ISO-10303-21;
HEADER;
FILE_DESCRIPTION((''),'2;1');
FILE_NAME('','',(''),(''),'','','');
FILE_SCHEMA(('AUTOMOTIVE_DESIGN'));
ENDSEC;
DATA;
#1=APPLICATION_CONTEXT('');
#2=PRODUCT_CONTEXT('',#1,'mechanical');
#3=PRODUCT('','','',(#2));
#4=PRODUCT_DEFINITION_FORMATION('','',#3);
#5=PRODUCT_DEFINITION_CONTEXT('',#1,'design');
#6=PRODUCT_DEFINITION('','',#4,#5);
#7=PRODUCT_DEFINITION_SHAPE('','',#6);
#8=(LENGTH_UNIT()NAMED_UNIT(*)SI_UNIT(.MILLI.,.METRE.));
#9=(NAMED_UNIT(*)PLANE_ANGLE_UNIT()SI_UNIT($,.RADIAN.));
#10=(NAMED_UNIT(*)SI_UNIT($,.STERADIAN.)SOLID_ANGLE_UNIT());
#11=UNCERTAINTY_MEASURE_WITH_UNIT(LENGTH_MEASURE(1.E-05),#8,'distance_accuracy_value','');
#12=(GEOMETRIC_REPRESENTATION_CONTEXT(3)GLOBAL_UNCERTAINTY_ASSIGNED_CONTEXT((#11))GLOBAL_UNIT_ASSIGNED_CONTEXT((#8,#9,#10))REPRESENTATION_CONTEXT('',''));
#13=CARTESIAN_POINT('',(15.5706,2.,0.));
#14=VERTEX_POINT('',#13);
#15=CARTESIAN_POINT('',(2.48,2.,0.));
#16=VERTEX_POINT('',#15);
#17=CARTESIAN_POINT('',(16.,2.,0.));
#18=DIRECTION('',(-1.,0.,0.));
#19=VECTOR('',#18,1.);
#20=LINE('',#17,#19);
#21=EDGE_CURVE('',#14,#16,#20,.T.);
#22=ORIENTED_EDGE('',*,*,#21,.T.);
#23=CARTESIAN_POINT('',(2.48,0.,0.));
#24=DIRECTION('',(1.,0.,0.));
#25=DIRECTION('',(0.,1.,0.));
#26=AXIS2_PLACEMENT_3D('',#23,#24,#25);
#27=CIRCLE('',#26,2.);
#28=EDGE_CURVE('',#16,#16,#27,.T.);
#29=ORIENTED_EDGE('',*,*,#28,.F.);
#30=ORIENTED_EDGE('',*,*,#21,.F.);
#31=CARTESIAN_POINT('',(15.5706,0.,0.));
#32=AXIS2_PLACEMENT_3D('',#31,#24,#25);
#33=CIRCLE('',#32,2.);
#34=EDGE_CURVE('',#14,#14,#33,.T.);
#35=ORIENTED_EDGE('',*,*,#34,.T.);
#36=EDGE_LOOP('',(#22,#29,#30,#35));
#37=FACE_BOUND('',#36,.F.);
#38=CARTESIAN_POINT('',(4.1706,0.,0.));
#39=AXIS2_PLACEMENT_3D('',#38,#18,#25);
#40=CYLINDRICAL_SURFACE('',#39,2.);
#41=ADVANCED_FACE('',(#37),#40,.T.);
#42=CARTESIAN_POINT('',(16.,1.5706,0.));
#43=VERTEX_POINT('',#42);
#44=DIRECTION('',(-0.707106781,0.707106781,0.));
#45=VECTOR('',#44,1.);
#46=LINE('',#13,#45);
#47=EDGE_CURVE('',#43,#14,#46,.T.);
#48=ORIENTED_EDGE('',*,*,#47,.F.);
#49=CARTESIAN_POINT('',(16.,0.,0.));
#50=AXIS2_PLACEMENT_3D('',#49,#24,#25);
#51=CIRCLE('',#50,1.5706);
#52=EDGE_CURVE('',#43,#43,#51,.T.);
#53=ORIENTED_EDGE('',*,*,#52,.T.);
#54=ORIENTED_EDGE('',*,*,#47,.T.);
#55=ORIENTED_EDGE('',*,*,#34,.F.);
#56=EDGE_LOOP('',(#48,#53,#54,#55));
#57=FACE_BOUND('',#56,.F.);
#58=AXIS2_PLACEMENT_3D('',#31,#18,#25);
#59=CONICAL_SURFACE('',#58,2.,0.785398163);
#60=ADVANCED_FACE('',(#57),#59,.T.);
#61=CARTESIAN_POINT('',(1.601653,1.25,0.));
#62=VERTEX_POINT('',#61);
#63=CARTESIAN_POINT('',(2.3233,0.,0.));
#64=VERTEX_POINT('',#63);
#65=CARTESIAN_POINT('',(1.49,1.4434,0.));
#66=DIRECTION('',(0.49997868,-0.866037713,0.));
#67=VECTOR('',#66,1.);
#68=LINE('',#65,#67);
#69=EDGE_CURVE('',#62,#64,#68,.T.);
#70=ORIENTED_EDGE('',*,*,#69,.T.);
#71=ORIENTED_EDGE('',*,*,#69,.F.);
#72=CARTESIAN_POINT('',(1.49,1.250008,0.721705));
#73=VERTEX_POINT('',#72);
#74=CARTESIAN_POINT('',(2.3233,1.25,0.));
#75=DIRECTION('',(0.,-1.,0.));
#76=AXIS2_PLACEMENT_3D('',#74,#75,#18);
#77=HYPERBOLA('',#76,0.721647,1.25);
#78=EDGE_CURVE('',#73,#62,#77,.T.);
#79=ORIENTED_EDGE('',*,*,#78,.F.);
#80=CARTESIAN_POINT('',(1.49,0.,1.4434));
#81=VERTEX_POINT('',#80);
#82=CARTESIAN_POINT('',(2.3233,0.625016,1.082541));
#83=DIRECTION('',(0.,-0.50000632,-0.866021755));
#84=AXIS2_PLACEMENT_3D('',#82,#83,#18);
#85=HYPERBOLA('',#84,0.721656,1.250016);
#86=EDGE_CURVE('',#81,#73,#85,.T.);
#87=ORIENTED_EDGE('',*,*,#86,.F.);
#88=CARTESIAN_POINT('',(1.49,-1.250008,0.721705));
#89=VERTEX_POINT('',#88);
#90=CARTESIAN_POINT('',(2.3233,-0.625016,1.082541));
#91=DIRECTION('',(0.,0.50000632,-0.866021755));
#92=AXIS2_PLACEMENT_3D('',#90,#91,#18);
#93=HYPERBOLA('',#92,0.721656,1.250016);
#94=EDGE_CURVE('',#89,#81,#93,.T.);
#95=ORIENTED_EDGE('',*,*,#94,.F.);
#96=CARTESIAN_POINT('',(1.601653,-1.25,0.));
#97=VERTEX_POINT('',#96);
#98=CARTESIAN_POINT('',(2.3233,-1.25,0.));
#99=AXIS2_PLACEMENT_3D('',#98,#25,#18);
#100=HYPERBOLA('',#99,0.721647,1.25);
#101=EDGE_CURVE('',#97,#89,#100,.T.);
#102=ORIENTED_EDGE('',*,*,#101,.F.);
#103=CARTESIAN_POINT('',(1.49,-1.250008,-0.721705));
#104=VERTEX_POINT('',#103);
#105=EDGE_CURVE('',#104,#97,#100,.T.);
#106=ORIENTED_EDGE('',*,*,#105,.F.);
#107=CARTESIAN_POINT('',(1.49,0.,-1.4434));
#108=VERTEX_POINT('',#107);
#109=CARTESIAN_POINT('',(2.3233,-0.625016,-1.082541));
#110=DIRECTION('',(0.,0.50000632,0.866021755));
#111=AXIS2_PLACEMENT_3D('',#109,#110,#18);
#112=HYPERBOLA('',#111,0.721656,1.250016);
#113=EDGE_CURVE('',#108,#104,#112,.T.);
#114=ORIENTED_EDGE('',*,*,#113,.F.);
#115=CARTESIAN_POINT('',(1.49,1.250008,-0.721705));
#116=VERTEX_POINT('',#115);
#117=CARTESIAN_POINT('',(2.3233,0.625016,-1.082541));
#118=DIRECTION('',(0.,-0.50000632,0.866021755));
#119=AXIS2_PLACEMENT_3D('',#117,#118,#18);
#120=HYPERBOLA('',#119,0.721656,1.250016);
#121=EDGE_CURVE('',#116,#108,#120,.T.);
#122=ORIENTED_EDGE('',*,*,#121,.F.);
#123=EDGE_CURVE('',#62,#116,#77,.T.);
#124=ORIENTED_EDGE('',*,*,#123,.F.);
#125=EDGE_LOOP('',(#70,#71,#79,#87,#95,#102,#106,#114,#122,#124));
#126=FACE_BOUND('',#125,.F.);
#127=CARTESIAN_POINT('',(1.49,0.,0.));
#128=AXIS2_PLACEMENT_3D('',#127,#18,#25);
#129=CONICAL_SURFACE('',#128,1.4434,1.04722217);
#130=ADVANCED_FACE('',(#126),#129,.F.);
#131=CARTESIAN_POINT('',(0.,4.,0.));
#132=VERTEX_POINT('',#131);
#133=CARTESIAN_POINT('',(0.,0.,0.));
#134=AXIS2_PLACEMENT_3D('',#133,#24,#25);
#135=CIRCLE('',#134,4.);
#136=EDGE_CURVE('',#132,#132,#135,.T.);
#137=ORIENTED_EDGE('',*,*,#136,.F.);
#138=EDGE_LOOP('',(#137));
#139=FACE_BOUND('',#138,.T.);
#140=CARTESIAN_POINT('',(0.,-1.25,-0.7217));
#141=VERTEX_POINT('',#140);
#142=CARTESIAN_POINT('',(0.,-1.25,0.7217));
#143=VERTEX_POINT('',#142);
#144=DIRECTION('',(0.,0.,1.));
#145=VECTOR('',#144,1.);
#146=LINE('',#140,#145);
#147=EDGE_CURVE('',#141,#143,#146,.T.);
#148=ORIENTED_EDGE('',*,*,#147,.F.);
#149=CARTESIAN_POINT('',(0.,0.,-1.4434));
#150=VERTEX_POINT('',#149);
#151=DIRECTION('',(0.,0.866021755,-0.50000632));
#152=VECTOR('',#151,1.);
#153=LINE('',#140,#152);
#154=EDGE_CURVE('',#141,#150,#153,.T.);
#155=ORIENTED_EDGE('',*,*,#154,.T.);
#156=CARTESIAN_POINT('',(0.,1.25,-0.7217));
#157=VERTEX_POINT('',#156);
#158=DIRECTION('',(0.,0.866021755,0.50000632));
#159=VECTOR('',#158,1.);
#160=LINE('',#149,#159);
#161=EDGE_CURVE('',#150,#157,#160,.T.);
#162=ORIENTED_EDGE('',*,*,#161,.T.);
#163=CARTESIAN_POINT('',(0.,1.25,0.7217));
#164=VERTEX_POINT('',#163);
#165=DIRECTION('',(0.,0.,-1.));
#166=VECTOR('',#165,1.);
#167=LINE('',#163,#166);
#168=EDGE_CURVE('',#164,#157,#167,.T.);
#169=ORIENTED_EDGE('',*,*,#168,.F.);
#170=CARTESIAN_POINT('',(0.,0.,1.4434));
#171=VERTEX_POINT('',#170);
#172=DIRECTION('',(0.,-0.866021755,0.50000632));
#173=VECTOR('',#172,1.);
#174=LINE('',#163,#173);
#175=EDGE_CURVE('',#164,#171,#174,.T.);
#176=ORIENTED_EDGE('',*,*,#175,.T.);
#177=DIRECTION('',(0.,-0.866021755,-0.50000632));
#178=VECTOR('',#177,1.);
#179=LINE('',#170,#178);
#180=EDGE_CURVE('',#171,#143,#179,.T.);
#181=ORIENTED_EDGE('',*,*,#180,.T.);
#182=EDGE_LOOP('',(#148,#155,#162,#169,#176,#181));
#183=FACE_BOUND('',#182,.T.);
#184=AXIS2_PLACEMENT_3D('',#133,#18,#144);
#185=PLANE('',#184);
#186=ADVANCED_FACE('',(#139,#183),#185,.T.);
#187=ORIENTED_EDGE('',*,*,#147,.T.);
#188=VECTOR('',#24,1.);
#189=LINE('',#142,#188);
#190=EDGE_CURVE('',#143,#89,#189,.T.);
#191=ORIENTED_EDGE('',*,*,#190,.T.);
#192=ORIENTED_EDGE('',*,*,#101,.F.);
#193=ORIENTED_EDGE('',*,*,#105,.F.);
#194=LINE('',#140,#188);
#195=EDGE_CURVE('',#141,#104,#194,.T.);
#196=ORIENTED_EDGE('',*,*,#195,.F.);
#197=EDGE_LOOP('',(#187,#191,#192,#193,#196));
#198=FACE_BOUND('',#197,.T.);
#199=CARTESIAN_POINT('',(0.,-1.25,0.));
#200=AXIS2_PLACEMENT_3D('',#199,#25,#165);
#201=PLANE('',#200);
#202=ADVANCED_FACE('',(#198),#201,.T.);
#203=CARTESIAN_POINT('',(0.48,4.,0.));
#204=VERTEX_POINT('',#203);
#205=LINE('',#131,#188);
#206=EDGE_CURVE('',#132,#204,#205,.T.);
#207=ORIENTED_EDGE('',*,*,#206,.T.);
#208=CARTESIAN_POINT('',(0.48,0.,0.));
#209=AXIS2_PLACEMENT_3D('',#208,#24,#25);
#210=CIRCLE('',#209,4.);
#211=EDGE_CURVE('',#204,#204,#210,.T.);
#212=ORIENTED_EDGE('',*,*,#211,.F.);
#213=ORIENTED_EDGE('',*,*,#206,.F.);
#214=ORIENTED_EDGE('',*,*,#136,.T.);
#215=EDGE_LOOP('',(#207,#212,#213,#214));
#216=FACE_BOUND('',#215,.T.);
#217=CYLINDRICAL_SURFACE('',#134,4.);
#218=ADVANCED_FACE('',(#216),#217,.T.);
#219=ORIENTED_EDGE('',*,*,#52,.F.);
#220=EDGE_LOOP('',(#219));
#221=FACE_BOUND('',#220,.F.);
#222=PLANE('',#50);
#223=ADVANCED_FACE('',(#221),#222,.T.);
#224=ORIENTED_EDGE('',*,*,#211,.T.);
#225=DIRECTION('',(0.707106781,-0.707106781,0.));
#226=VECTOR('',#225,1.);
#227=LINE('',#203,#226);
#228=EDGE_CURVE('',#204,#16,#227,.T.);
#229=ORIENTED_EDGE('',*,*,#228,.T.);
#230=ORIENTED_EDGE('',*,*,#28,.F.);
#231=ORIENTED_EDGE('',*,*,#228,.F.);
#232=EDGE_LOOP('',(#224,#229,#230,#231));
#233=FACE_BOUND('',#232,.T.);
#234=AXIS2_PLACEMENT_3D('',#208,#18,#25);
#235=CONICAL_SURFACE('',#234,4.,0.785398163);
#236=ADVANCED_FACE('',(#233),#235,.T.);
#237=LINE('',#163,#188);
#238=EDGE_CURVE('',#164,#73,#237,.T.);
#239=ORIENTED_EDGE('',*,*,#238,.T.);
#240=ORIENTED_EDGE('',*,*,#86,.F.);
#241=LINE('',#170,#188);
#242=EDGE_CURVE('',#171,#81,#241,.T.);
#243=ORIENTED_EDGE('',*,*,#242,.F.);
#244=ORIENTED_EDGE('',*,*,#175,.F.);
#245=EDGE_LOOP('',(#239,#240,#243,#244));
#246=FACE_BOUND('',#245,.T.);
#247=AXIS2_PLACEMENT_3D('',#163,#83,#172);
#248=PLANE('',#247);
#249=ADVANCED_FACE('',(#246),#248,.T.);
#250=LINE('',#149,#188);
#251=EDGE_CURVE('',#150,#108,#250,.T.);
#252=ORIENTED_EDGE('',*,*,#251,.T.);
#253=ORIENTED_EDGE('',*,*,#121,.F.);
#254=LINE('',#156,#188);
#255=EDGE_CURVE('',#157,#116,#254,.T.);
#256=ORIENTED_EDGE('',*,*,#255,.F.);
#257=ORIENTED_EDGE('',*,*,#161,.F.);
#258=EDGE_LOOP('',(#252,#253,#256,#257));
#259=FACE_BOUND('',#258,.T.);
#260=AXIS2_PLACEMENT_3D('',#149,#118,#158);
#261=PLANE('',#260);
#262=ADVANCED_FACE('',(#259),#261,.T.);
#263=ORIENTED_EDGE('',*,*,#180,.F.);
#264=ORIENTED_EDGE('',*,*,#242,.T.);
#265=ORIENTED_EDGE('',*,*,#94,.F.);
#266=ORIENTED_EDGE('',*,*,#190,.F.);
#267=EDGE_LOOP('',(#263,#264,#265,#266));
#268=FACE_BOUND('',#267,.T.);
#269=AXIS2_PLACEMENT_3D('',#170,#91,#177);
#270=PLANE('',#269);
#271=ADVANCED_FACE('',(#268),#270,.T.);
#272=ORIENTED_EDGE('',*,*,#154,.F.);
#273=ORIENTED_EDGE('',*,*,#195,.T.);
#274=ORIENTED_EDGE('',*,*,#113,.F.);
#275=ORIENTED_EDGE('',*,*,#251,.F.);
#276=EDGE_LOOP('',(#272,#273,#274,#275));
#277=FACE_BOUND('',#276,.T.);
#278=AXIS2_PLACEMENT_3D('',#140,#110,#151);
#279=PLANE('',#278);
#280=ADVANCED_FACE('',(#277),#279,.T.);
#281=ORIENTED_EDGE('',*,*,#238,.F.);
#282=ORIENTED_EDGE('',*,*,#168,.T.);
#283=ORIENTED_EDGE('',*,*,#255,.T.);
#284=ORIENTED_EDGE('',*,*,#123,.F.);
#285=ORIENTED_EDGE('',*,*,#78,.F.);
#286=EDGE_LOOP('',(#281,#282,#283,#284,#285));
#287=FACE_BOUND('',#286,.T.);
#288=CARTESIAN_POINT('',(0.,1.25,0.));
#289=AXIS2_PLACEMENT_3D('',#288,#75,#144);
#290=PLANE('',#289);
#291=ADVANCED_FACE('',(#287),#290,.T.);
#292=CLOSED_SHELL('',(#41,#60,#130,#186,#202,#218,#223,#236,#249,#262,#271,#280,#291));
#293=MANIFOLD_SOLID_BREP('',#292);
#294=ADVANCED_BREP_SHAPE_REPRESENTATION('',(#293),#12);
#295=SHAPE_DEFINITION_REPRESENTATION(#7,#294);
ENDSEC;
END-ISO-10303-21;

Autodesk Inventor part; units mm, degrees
ref_plane "YZ Plane" through (0, 0, 0) normal (1, 0, 0) x (0, 1, 0)
ref_plane "XZ Plane" through (0, 0, 0) normal (0, 1, 0) x (-1, 0, 0)
sketch "Esquisse1" plane through (0, 0, 0) normal (0, 0, 1) x (1, 0, 0)
  line L0 (16, 0) -> (16, 2)
  line L1 (16, 2) -> (4.6, 2)
  line L2 (4.6, 2) -> (4.1706, 2)
  line L3 (0, 4) -> (0, 1.4434)
  line L4 (0, 1.4434) -> (1.49, 1.4434)
  line L5 (1.49, 1.4434) -> (2.3233, 0)
  line L6 (2.3233, 0) -> (16, 0)
  line L7 (0, 4) -> (0.48, 4)
  line L8 (0.48, 4) -> (2.48, 2)
  line L9 (4.1706, 2) -> (2.48, 2)
  line L10 (4.6, 2) -> (2.48, 2) construction
  line L11 (2.48, 2) -> (2.48, 2)
  line L12 (-3.2, 0) -> (19.2, 0) projected
  line L13 (0, -0.8) -> (0, 4.8) projected
  dimension "d0" = 16
  dimension "d1" = 11.4
  dimension "d2" = 1.49
  dimension "d3" = 4
  dimension "d6" = 2.48
  dimension "d7" = 45
  dimension "d8" = 2.8868
  dimension "d9" = 60
  dimension "d10" = 8
  dimension "d11" = 4
  dimension "d12" = 0.4294
revolve "Corps" add sketch "Esquisse1" angle 360 about axis through (2.3233, 0, 0) along (1, 0, 0) contours L6 L5 L4 L3 L7 L8 L9 L2 L1 L0
sketch "Esquisse2" plane through (0, 0, 0) normal (-1, 0, 0) x (0, 0, 1)
  circle A0 centre (0, 0) radius 1.4434 projected
  line L0 (0, -5.6) -> (0, 5.6) projected
  line L1 (-5.6, 0) -> (5.6, 0) projected
  line L2 (1.4434, 0) -> (0.7217, -1.25)
  line L3 (0.7217, -1.25) -> (-0.7217, -1.25)
  line L4 (-0.7217, -1.25) -> (-1.4434, 0)
  line L5 (-1.4434, 0) -> (-0.7217, 1.25)
  line L6 (-0.7217, 1.25) -> (0.7217, 1.25)
  line L7 (0.7217, 1.25) -> (1.4434, 0)
  point P0 (0, 1.4434)
extrude "Rainure" add sketch "Esquisse2" against normal up to next contours L7 A0 | A0 L2 | L6 L0 A0 | A0 L0 L3 | L0 L6 A0 | A0 L3 L0 | L4 A0 | A0 L5
thread "Filetage" size "M4x0.7" class "6g" standard "ISO Metric profile" length 11.4
chamfer "Chanfrein1" distance 0.4294 distance2 0.4294 1 edges at (16, -2, 0) measured on face at (16, 0.2227, -0.5871)
ref_plane "Work Plane1" through (104.775, 0, 0) normal (0, 0, -1) x (1, 0, 0)
equation "\"d15\" = GEL"
equation "\"d17\" = -0.5 * SPD + 0.5 * GD"
equation "\"d18\" = GUL"
equation "\"d0\" = NLG"
equation "\"d1\" = GEL"
equation "\"d2\" = INTI"
equation "\"d3\" = GD"
equation "\"d6\" = KOH"
equation "\"d7\" = 0.5 * SEWI"
equation "\"d8\" = 1.1547 * SW"
equation "\"d10\" = KOD"
equation "\"d11\" = BDM"
equation "\"d12\" = GAL"
equation "\"NLG\" = 16"
equation "\"INTI\" = 1.49"
equation "\"GEL\" = 11.4"
equation "\"GAL\" = 0.61345 * PTC"
equation "\"KOH\" = 2.48"
equation "\"KOD\" = 8"
equation "\"GUL\" = 0.61345 * PTC"
equation "\"SPD\" = NND - 1.2269 * PTC"
equation "\"BDM\" = NND"
equation "\"GD\" = NND"
equation "\"SEWI\" = 90deg"
equation "\"SW\" = 2.5"
equation "\"TOA\" = 30deg"
equation "\"GD1\" = THREADDIA - 1.2269 * PTC"
equation "\"EPV\" = 4.48"
equation "\"THREADDIA\" = 4"
equation "\"PTC\" = 0.7"
equation "\"NND\" = 4"
equation "\"E0\" = 1.155 * SW"
properties part number "BS 4168 - M4 x 16" material "Acier, doux"
